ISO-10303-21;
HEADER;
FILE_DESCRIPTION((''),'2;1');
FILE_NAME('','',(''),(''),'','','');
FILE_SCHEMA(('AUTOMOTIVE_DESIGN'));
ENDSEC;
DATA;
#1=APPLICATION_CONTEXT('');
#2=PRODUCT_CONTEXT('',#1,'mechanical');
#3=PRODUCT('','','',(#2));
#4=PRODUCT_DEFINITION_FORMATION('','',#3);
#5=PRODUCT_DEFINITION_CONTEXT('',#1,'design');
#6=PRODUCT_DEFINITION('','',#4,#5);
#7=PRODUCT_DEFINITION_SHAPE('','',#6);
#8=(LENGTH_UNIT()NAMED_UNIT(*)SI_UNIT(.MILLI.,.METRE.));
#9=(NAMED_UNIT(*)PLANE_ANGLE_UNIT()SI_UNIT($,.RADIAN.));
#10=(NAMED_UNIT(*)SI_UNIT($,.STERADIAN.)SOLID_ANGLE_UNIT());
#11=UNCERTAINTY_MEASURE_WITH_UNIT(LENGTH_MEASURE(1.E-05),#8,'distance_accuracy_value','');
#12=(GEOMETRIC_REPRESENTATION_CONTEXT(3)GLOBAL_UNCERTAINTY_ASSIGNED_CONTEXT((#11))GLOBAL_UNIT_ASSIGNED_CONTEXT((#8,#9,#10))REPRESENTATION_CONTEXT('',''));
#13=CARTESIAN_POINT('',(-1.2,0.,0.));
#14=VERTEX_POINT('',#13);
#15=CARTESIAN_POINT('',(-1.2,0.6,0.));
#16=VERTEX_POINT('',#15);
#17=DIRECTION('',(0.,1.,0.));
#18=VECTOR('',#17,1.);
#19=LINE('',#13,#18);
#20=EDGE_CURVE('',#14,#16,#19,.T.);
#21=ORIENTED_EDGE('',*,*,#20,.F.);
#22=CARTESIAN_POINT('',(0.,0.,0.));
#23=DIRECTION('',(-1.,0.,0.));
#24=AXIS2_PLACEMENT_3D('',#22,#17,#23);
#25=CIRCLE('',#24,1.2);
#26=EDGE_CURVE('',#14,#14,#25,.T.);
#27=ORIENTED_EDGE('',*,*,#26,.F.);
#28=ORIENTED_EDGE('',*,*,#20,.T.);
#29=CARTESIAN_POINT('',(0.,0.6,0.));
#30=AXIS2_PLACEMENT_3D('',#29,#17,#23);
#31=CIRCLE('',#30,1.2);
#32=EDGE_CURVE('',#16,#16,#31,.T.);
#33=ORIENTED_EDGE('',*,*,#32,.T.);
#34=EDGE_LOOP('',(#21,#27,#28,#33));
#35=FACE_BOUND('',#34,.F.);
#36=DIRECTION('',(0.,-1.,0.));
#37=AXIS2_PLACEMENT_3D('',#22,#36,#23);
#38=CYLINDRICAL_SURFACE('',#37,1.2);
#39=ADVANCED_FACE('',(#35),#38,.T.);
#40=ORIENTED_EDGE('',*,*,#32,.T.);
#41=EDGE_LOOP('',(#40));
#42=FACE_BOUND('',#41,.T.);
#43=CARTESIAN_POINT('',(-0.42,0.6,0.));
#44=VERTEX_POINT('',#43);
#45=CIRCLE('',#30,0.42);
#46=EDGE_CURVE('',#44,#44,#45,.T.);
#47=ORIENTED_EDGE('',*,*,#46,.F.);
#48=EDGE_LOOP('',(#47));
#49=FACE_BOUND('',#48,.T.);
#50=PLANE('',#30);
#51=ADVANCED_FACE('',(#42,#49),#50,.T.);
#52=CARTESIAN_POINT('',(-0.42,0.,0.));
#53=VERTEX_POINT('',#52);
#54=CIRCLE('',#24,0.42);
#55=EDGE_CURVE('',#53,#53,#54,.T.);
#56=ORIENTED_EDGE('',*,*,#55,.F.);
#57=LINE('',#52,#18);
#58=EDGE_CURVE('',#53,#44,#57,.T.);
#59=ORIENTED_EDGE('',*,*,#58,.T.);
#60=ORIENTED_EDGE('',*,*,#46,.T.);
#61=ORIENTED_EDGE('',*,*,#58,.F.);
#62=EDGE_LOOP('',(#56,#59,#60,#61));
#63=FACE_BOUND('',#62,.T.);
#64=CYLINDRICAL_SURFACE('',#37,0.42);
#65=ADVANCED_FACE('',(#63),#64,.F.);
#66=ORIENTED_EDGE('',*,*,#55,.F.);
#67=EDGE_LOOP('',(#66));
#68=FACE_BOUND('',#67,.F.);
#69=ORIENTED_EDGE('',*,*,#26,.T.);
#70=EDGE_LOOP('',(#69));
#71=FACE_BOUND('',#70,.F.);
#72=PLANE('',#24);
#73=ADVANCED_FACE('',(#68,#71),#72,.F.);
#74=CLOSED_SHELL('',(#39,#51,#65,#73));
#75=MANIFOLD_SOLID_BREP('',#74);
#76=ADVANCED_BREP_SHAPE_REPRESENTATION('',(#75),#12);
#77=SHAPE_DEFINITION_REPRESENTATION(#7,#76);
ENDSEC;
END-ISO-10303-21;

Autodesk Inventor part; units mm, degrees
ref_plane "YZ Plane" through (0, 0, 0) normal (1, 0, 0) x (0, 1, 0)
ref_plane "XZ Plane" through (0, 0, 0) normal (0, 1, 0) x (-1, 0, 0)
ref_plane "XY Plane" through (0, 0, 0) normal (0, 0, 1) x (1, 0, 0)
sketch "Boceto1" plane through (0, 0, 0) normal (0, 1, 0) x (-1, 0, 0)
  circle A0 centre (0, 0) radius 1.2
  circle A1 centre (0, 0) radius 0.42
  dimension "d0" = 2.4
  dimension "d1" = 0.84
extrude "Extrusión1" add sketch "Boceto1" along normal blind 0.6
